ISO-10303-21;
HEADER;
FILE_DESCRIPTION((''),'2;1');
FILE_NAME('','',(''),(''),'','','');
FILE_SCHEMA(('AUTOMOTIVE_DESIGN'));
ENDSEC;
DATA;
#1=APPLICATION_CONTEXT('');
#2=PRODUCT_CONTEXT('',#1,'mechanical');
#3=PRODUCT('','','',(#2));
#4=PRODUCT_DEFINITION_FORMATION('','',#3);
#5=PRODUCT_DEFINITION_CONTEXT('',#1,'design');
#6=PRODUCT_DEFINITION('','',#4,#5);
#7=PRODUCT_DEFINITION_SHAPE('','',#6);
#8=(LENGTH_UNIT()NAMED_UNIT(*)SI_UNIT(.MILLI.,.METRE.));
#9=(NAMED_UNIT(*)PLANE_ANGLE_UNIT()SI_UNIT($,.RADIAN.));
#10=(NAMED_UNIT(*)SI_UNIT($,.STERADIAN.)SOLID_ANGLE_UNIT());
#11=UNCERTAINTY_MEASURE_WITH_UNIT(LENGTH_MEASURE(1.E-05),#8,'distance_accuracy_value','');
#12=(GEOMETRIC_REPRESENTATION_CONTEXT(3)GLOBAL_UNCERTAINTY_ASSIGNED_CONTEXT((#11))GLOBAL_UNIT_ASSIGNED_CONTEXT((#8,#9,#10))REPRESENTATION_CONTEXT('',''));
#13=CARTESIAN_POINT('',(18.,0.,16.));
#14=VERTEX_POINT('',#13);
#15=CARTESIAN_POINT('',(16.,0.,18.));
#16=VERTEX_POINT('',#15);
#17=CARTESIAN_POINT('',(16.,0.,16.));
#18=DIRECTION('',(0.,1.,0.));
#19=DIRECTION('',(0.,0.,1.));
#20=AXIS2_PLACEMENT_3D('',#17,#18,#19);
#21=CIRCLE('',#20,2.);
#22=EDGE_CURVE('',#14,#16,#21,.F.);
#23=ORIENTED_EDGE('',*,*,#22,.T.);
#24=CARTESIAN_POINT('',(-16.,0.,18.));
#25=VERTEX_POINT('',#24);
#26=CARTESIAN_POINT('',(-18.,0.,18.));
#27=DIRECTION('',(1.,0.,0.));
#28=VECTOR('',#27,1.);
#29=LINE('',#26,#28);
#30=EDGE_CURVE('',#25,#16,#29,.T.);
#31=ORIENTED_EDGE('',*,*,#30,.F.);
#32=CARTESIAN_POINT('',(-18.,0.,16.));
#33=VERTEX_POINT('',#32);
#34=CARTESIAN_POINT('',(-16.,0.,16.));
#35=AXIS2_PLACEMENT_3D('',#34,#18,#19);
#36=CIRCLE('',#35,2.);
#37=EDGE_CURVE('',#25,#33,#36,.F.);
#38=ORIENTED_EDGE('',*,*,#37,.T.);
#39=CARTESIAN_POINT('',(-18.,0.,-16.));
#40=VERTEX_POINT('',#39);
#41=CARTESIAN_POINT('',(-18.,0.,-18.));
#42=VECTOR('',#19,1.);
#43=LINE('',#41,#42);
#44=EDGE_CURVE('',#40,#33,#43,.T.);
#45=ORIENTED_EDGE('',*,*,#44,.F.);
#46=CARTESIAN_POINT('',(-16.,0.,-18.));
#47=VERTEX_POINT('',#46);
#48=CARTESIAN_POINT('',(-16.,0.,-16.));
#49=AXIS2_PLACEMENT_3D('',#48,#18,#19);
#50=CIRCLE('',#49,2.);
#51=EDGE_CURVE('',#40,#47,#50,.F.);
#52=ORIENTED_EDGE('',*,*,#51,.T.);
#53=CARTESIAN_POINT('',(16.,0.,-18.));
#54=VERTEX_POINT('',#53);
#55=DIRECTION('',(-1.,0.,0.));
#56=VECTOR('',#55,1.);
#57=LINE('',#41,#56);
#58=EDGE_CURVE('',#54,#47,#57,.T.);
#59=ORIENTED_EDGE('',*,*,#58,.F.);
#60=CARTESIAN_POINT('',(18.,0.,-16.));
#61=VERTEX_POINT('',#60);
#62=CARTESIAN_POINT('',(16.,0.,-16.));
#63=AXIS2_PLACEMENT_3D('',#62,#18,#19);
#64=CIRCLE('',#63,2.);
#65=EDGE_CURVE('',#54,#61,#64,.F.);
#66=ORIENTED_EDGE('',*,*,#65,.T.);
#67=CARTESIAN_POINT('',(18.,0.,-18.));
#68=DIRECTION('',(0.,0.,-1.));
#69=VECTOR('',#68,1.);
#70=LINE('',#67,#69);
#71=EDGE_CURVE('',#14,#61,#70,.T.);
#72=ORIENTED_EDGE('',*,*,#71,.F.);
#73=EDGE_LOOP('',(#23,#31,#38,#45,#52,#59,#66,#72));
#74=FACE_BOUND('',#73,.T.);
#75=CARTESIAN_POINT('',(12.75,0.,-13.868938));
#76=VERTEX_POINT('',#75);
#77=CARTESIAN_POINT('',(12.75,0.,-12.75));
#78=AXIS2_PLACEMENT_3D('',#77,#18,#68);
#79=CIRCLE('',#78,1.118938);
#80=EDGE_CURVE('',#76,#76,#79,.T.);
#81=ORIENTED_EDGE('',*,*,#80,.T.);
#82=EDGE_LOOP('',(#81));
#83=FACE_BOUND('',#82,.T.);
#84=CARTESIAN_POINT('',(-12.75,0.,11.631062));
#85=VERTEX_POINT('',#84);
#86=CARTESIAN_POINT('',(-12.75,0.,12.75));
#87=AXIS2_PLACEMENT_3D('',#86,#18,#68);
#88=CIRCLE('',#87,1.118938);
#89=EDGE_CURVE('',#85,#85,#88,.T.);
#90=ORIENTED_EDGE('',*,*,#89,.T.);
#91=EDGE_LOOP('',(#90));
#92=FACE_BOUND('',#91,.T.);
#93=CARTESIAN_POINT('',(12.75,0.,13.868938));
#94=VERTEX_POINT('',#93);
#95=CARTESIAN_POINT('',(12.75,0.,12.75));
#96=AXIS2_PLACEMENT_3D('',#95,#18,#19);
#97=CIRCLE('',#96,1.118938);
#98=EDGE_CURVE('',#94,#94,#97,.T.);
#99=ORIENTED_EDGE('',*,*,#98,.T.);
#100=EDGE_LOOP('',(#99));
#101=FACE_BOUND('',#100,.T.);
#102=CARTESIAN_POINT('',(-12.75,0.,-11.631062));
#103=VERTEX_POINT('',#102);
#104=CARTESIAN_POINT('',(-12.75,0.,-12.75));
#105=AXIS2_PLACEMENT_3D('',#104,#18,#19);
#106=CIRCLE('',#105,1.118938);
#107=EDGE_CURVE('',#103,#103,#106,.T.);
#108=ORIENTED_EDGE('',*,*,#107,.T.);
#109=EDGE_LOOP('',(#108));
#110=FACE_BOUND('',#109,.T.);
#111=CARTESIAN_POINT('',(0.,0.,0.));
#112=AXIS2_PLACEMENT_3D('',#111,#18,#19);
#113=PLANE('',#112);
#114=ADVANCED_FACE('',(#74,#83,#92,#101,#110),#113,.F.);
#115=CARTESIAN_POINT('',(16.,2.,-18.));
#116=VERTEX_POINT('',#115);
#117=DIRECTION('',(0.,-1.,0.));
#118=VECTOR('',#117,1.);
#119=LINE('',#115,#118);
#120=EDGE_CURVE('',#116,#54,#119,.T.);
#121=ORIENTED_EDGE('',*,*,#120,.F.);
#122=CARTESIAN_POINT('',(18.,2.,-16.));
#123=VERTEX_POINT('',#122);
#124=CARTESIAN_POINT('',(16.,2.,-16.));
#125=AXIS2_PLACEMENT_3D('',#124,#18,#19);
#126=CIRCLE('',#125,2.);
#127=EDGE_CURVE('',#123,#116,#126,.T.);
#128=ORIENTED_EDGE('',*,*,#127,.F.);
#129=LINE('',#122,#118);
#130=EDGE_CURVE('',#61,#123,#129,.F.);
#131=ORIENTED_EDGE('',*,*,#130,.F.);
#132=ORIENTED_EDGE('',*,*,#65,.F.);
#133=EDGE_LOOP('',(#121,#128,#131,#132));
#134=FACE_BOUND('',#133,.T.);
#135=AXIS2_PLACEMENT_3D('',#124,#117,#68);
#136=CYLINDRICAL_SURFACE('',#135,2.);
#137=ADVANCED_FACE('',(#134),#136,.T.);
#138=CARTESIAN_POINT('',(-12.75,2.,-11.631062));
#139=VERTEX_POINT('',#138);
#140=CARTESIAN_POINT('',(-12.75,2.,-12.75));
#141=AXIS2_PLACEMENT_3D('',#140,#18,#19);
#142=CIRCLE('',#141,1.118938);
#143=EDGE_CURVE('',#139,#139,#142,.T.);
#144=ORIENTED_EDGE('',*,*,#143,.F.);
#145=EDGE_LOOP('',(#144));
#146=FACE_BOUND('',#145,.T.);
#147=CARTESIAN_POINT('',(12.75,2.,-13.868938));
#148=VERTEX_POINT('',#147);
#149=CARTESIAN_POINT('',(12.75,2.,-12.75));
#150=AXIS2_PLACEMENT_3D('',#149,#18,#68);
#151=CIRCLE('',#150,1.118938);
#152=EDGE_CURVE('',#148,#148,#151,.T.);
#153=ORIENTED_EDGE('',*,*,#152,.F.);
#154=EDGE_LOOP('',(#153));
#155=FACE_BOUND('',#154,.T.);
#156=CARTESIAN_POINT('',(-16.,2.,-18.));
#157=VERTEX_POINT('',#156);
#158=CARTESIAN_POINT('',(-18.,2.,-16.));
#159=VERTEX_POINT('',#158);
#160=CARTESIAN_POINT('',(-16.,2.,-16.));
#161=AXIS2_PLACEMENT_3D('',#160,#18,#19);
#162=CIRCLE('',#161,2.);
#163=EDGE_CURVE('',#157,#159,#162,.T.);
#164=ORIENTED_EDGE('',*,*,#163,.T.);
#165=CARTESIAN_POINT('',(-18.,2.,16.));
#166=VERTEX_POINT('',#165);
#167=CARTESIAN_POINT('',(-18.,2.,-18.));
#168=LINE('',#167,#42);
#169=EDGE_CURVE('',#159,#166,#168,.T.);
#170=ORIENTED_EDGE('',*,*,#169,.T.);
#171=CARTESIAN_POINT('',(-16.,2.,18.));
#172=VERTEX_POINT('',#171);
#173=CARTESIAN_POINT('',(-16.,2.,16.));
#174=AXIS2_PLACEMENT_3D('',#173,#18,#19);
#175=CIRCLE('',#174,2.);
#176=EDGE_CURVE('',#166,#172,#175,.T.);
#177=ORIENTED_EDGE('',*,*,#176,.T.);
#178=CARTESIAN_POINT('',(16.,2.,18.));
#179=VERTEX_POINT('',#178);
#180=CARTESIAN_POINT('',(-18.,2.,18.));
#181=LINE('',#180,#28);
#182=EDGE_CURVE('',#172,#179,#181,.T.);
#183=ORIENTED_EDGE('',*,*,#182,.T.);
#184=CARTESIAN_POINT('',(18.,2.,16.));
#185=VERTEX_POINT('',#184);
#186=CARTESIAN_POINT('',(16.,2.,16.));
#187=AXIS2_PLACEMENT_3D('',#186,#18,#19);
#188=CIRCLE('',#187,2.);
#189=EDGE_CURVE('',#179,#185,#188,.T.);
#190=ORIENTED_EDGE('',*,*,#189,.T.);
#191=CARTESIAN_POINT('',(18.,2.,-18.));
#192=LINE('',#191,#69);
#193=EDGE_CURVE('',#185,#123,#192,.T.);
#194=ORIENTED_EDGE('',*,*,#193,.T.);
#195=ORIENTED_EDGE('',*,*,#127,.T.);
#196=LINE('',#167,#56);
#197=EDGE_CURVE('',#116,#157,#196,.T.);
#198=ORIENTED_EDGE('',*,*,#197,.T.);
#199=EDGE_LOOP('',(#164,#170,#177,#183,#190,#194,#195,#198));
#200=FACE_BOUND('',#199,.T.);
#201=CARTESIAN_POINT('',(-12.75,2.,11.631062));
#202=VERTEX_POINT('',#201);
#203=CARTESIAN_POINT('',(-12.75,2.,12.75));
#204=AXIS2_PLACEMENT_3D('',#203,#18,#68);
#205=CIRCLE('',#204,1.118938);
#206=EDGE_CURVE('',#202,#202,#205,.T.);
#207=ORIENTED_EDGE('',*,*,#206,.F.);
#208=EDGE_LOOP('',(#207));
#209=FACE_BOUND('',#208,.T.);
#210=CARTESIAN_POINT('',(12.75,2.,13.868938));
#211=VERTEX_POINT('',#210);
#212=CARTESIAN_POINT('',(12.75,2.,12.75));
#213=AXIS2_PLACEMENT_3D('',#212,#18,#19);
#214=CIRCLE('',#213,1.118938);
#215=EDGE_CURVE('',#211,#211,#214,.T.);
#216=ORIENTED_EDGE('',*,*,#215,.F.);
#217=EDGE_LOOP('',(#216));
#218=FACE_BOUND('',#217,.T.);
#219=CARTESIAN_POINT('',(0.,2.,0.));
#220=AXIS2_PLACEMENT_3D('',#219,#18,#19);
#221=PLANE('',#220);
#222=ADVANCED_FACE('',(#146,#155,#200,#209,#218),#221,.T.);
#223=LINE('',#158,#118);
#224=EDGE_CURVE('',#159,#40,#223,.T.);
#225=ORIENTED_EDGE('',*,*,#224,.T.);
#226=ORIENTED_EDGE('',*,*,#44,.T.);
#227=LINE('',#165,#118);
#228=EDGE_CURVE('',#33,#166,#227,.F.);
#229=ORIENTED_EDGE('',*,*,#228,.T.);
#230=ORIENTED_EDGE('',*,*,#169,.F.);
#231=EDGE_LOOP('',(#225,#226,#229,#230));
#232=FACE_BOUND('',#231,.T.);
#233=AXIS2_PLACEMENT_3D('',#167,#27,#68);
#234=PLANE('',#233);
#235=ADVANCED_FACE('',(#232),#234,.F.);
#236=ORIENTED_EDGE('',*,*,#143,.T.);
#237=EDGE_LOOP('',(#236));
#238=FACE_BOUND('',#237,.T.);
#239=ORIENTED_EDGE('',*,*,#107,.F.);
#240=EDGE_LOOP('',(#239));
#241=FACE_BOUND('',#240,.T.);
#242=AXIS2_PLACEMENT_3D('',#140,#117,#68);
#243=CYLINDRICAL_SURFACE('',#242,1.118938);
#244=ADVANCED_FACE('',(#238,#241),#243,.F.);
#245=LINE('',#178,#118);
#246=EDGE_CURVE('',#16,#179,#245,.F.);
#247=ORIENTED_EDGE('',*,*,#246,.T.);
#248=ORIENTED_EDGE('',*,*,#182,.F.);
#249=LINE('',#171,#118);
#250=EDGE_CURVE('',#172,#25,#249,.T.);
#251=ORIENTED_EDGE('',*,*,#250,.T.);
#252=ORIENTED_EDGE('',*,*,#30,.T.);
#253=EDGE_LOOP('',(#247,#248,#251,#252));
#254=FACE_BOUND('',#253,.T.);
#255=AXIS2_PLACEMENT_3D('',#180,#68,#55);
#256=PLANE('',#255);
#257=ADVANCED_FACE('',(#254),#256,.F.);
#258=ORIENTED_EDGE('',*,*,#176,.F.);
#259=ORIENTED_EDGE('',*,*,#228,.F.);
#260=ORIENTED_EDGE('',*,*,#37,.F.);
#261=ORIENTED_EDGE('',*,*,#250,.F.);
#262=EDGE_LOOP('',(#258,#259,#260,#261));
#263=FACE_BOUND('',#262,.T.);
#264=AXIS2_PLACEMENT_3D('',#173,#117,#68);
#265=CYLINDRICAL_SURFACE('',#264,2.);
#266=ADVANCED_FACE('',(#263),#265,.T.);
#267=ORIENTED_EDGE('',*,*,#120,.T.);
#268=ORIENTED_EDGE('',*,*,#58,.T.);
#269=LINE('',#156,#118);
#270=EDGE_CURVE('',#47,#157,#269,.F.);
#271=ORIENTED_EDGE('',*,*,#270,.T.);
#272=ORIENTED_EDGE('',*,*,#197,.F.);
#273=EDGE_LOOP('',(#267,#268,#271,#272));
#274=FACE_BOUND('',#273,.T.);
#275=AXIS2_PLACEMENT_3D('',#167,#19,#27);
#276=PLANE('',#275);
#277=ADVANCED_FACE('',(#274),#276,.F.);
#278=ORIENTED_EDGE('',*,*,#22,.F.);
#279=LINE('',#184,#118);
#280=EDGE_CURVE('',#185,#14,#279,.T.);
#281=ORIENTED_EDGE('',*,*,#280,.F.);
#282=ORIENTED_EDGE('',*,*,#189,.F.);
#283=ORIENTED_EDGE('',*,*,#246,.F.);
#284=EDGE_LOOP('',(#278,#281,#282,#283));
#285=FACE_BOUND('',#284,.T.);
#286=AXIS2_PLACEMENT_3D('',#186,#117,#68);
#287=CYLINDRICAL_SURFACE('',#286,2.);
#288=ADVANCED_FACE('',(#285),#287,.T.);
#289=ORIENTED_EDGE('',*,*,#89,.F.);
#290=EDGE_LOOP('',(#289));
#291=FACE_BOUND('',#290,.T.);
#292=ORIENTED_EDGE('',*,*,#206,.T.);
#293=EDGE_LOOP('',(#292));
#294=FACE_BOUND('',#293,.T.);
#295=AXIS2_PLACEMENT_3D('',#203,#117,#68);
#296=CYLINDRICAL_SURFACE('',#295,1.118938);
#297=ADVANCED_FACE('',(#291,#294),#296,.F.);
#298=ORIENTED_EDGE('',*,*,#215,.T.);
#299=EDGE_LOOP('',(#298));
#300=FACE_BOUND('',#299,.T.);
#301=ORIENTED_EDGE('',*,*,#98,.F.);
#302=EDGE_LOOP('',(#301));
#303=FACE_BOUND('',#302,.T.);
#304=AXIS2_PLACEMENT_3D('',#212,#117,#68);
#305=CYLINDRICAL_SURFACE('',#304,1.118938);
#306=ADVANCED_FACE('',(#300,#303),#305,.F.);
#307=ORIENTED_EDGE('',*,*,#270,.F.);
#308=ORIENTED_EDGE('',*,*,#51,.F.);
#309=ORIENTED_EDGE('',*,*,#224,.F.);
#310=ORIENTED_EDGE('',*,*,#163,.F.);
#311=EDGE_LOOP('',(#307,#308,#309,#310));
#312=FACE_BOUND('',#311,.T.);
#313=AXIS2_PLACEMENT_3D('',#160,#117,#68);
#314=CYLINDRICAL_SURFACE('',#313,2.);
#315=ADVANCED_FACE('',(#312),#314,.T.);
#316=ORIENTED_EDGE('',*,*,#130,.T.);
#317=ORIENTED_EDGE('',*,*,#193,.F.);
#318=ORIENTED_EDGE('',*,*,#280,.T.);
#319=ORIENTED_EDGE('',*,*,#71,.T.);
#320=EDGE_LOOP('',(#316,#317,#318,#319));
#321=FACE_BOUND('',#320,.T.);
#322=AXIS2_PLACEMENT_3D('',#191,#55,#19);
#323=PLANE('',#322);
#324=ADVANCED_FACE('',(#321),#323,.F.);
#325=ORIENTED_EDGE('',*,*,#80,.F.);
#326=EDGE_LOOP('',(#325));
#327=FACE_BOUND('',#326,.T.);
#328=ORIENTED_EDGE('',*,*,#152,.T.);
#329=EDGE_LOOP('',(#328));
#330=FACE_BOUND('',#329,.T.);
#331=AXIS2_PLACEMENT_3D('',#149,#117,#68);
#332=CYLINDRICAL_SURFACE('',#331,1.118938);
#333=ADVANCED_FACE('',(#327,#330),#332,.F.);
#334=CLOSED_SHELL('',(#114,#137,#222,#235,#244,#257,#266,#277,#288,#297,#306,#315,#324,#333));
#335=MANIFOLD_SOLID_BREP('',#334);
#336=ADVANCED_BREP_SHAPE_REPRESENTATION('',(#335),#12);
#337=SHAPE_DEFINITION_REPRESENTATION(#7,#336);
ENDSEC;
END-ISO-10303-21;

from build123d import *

# Parameters (mm, degrees)
SKETCH_1_W      = 36
SKETCH_1_H      = 36
SKETCH_1_R      = 1.118938203
EXTRUDE_1_DEPTH = 2
FILLET_1_R      = 2


with BuildPart() as part:
    # 草图1 → 凸台-拉伸1 (new body)
    with BuildSketch(Plane(origin=(0, 0, 0), x_dir=(1, 0, 0), z_dir=(0, 1, 0))):
        Rectangle(SKETCH_1_W, SKETCH_1_H)
        with Locations(Location((-12.75, 12.75, 0), (0, 0, 270))):
            Circle(SKETCH_1_R, mode=Mode.SUBTRACT)
        with Locations(Location((12.75, 12.75, 0), (0, 0, 90))):
            Circle(SKETCH_1_R, mode=Mode.SUBTRACT)
        with Locations(Location((12.75, -12.75, 0), (0, 0, 270))):
            Circle(SKETCH_1_R, mode=Mode.SUBTRACT)
        with Locations(Location((-12.75, -12.75, 0), (0, 0, 90))):
            Circle(SKETCH_1_R, mode=Mode.SUBTRACT)
    extrude(amount=EXTRUDE_1_DEPTH)

    # 圆角1
    fillet_1_edges = [part.edges().sort_by_distance(p)[0] for p in [
        (18, 1, 18),
        (-18, 1, 18),
        (-18, 1, -18),
        (18, 1, -18),
    ]]
    fillet(fillet_1_edges, radius=FILLET_1_R)


solid = part.part
